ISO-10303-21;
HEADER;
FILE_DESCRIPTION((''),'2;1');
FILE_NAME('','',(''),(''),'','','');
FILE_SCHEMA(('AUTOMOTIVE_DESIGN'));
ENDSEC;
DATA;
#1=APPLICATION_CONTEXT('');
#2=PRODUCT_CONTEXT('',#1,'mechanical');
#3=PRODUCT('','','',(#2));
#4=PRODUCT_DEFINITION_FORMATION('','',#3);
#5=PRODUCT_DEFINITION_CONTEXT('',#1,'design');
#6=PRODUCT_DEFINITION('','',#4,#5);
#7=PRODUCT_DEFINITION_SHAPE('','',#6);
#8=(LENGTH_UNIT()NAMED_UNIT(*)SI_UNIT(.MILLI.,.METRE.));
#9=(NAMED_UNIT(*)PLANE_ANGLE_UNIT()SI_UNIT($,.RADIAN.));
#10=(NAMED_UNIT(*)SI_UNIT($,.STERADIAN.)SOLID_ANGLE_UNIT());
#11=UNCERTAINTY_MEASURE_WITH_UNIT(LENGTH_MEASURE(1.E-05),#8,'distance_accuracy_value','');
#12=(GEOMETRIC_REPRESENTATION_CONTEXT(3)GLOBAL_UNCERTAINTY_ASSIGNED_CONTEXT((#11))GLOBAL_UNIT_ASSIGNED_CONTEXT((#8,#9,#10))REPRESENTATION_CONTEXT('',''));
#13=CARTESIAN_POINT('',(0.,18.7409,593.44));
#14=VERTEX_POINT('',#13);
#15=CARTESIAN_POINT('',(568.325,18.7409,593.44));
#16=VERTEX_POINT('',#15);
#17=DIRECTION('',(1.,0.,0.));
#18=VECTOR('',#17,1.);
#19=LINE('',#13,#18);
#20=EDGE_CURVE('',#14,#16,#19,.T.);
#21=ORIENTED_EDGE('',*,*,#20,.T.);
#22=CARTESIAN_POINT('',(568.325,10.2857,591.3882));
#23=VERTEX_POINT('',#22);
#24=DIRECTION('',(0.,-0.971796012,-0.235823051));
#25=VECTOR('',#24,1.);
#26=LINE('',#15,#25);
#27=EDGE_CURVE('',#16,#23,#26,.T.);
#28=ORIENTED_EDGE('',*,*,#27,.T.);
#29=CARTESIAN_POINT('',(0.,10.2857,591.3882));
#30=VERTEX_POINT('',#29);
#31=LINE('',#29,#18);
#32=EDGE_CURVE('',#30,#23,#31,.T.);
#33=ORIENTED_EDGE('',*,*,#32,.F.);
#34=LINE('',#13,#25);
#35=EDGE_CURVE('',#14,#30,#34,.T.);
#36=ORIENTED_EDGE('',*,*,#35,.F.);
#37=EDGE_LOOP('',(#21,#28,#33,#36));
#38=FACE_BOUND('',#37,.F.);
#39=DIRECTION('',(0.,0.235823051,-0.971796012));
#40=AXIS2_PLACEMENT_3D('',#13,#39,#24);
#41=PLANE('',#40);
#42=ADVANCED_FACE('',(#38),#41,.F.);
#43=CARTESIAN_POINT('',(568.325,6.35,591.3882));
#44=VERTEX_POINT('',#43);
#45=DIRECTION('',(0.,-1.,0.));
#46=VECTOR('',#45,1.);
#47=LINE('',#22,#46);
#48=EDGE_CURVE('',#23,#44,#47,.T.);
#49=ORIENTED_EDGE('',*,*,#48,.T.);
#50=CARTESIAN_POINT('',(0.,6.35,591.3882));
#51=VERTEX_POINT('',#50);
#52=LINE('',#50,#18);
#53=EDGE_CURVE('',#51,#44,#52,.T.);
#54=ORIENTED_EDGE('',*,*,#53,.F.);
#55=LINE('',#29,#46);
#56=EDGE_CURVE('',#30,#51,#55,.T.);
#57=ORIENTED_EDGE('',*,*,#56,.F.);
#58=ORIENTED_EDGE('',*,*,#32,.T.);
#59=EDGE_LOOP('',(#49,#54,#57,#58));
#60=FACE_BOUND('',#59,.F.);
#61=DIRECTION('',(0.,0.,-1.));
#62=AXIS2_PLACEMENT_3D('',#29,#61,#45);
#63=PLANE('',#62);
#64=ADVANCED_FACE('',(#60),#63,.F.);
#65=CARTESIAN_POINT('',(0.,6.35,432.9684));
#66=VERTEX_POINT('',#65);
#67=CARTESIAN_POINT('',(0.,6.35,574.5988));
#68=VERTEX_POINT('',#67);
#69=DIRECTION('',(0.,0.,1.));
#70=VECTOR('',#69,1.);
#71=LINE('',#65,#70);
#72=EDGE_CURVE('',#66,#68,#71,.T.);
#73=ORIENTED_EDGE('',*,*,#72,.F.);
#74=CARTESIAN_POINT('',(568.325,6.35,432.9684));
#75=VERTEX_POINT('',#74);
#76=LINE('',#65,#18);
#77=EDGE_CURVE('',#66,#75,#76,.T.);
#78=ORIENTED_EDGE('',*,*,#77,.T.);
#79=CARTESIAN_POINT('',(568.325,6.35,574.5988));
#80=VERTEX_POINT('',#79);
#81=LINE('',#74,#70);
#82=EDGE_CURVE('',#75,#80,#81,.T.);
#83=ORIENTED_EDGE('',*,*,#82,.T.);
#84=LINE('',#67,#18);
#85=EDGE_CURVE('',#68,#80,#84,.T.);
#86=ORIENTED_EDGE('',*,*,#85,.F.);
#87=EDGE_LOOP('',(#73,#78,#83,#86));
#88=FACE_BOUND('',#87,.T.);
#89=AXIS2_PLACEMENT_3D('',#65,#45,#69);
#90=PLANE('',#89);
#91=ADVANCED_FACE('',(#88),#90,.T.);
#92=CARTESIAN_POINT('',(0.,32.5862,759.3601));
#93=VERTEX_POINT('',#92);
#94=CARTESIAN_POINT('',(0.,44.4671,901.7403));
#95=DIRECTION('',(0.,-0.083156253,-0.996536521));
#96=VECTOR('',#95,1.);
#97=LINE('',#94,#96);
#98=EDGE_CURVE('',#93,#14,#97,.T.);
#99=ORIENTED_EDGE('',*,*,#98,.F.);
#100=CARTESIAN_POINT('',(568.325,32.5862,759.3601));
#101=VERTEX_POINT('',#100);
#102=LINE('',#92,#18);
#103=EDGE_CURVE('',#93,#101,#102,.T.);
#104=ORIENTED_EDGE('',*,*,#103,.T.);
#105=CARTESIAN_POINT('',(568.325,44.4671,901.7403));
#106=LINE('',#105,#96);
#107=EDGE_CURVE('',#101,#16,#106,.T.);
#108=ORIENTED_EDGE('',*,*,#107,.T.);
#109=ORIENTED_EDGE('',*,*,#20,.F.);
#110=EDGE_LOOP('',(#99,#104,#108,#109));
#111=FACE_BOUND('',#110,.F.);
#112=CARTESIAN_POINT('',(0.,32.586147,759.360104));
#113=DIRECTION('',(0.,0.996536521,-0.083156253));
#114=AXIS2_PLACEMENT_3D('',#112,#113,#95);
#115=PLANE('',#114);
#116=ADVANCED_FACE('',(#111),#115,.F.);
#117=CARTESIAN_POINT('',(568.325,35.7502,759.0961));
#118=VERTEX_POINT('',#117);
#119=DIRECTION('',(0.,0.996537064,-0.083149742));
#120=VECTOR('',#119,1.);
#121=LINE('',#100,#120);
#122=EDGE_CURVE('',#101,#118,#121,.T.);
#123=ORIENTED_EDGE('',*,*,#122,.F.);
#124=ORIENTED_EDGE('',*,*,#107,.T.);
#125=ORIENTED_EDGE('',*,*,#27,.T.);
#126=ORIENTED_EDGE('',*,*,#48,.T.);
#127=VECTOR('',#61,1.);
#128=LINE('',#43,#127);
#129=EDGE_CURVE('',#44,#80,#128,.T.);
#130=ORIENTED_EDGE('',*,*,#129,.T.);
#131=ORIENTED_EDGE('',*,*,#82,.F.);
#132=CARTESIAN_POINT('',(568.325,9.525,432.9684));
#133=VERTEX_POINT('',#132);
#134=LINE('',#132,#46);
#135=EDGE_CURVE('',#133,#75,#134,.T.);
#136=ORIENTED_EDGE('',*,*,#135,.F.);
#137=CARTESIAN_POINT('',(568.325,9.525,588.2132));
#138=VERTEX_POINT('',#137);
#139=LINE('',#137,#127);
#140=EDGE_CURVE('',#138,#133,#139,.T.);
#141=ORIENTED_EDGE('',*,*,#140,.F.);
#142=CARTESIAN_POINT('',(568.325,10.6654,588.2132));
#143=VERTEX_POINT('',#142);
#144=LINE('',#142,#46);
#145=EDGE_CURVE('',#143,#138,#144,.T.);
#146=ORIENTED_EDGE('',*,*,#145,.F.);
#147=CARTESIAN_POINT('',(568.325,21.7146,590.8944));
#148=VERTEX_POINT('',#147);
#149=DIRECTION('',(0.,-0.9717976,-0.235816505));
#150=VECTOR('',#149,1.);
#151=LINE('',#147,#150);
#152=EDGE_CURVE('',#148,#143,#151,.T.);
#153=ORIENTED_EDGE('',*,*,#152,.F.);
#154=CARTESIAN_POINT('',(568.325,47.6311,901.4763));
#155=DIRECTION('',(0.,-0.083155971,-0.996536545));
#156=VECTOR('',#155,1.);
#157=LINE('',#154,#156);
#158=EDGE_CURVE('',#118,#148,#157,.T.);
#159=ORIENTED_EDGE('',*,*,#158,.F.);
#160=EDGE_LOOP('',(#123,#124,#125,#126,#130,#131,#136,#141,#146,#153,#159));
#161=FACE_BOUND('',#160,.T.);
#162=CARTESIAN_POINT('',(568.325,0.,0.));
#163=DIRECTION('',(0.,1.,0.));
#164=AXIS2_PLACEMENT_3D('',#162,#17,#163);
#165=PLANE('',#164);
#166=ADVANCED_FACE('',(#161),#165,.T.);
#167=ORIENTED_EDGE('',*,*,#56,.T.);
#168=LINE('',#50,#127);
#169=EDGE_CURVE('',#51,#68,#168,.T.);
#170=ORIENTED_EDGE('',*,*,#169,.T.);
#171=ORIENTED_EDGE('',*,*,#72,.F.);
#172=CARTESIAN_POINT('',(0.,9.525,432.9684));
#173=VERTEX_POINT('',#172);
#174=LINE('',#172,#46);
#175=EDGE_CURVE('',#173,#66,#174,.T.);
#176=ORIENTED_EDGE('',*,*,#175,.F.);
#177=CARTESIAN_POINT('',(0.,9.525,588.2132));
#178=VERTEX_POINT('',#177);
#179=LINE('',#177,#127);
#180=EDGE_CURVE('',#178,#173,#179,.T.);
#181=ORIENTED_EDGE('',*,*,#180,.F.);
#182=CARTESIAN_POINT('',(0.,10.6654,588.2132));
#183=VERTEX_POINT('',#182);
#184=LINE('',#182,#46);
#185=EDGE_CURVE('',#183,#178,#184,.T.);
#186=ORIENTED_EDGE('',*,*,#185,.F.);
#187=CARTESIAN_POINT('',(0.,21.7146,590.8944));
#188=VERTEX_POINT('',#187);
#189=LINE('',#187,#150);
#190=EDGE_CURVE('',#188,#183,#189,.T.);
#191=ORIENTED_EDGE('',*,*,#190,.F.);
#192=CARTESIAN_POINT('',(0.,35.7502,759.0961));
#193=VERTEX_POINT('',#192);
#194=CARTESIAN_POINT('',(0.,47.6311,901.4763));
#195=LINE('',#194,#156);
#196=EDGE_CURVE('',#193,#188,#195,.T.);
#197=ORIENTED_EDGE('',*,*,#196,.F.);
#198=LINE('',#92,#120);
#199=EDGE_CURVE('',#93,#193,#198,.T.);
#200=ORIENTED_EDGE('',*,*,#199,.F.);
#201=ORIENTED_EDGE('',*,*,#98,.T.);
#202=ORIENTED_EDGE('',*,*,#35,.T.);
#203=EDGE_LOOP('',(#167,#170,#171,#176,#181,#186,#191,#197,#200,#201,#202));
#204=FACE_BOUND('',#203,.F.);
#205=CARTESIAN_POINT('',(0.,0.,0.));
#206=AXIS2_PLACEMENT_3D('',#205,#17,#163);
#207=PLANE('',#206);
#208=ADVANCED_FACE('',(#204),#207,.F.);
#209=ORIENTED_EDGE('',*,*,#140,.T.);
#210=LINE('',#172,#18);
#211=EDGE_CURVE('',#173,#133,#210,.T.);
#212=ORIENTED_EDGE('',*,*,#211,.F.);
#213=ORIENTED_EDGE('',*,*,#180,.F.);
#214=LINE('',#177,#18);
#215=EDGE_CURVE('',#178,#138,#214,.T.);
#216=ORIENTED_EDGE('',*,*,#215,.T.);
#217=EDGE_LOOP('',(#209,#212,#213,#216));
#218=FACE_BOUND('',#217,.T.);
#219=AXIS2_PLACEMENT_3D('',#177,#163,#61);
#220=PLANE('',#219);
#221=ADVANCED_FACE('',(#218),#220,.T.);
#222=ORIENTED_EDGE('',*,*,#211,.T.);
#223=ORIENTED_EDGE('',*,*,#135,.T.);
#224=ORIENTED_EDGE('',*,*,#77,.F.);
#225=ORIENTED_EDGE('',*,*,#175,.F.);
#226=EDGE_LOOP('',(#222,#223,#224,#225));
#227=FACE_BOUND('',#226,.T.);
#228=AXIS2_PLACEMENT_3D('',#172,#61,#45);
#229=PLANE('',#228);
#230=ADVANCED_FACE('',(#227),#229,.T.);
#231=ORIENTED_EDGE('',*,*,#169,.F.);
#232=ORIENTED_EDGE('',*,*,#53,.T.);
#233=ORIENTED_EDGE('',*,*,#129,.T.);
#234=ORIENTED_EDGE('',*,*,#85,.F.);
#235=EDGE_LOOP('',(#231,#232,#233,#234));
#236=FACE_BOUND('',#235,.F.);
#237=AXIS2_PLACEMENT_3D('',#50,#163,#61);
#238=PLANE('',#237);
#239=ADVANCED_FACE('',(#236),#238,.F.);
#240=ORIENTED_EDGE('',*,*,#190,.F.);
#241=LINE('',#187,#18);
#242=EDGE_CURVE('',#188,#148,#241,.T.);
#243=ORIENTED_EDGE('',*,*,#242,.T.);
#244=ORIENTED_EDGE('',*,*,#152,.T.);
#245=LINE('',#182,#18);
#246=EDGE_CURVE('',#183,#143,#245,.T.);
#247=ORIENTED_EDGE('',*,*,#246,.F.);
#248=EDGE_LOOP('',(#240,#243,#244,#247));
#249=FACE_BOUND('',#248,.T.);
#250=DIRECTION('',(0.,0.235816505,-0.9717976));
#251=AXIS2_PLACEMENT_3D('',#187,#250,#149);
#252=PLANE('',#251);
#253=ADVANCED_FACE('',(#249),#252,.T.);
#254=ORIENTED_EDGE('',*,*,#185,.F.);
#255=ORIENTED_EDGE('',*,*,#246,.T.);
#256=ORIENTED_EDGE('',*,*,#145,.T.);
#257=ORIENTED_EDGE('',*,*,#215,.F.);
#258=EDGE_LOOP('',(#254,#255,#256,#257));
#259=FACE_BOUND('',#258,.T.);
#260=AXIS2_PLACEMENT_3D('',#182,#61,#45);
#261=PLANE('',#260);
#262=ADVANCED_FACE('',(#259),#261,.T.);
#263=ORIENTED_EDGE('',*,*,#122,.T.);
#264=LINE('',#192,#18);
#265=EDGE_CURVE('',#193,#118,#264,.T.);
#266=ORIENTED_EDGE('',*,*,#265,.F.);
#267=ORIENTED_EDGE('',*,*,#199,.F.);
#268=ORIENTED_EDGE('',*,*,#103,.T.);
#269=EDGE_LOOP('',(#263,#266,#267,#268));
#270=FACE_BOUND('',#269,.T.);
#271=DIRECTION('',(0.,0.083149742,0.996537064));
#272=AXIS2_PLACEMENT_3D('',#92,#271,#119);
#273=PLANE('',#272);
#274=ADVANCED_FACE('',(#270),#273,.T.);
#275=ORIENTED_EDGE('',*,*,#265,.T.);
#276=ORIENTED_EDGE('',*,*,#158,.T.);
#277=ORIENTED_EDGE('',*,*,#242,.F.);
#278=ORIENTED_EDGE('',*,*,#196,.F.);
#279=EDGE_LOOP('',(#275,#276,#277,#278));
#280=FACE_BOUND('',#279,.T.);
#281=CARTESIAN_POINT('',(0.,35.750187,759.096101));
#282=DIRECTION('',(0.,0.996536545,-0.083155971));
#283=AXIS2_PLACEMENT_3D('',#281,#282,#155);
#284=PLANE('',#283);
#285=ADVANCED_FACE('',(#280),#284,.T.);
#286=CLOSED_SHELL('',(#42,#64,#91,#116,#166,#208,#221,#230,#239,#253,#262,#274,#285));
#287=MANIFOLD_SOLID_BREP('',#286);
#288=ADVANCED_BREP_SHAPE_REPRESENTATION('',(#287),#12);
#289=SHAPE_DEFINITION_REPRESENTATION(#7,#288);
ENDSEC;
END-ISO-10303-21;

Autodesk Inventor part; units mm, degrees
ref_plane "YZ Plane" through (0, 0, 0) normal (1, 0, 0) x (0, 1, 0)
ref_plane "XZ Plane" through (0, 0, 0) normal (0, 1, 0) x (-1, 0, 0)
ref_plane "XY Plane" through (0, 0, 0) normal (0, 0, 1) x (1, 0, 0)
sketch "Sketch1" plane through (0, 0, 0) normal (1, 0, 0) x (0, 1, 0)
  line L0 (0, 0) -> (0, 597.7382)
  line L1 (0, 0) -> (3.175, 0)
  line L2 (3.175, 0) -> (3.175, 594.5632)
  line L3 (3.175, 594.5632) -> (9.906, 594.5632)
  line L4 (9.906, 594.5632) -> (15.756, 595.9828)
  line L5 (0, 597.7382) -> (9.5263, 597.7382)
  line L6 (9.5263, 597.7382) -> (12.7824, 598.5283)
  line L7 (41.2921, 902.0052) -> (15.756, 595.9828)
  line L8 (12.7824, 598.5283) -> (38.1281, 902.2692)
  line L9 (38.1281, 902.2692) -> (41.2921, 902.0052)
  line L10 (41.2921, 902.0052) -> (44.4671, 901.7403)
  line L11 (44.4671, 901.7403) -> (18.7409, 593.44)
  line L12 (18.7409, 593.44) -> (10.2857, 591.3882)
  line L13 (10.2857, 591.3882) -> (6.35, 591.3882)
  line L14 (6.35, 591.3882) -> (6.35, 574.5988)
  line L15 (6.35, 574.5988) -> (3.175, 574.5988)
  line L16 (44.4671, 901.7403) -> (47.6311, 901.4763)
  line L17 (47.6311, 901.4763) -> (21.7146, 590.8944)
  line L18 (21.7146, 590.8944) -> (10.6654, 588.2132)
  line L19 (10.6654, 588.2132) -> (9.525, 588.2132)
  line L20 (9.525, 588.2132) -> (9.525, 432.9684)
  line L21 (9.525, 432.9684) -> (6.35, 432.9684)
  line L22 (6.35, 432.9684) -> (6.35, 574.5988)
  line L23 (32.5862, 759.3601) -> (35.7502, 759.0961)
  point P0 (14.5133, 592.4141)
  dimension "d0" = 594.5632
  dimension "d1" = 3.175
  dimension "d2" = 6.731
  dimension "d7" = 3.175
  dimension "d8" = 6.0198
  dimension "d9" = 166.36
  dimension "d10" = 3.175
  dimension "d11" = 108.41
  dimension "d12" = 3.175
  dimension "d13" = 307.086
  dimension "d18" = 3.175
  dimension "d20" = 307.1025
  dimension "d21" = 8.7006
  dimension "d22" = 3.175
  dimension "d23" = 3.175
  dimension "d24" = 3.9357
  dimension "d25" = 16.7894
  dimension "d28" = 3.175
  dimension "d29" = 3.186
  dimension "d30" = 3.175
  dimension "d32" = 3.175
  dimension "d33" = 3.175
  dimension "d34" = 142.875
  dimension "d35" = 168.7862
  dimension "d36" = 11.3698
  dimension "d37" = 1.1404
  dimension "d38" = 155.2448
extrude "Extrusion3" add sketch "Sketch1" along normal blind 568.325 contours L14 L13 L12 L11 L23 L17 L18 L19 L20 L21 L22
properties part number "Second_Shingle_Over_Intake_Vent_With_Length_22.375_Inches"
